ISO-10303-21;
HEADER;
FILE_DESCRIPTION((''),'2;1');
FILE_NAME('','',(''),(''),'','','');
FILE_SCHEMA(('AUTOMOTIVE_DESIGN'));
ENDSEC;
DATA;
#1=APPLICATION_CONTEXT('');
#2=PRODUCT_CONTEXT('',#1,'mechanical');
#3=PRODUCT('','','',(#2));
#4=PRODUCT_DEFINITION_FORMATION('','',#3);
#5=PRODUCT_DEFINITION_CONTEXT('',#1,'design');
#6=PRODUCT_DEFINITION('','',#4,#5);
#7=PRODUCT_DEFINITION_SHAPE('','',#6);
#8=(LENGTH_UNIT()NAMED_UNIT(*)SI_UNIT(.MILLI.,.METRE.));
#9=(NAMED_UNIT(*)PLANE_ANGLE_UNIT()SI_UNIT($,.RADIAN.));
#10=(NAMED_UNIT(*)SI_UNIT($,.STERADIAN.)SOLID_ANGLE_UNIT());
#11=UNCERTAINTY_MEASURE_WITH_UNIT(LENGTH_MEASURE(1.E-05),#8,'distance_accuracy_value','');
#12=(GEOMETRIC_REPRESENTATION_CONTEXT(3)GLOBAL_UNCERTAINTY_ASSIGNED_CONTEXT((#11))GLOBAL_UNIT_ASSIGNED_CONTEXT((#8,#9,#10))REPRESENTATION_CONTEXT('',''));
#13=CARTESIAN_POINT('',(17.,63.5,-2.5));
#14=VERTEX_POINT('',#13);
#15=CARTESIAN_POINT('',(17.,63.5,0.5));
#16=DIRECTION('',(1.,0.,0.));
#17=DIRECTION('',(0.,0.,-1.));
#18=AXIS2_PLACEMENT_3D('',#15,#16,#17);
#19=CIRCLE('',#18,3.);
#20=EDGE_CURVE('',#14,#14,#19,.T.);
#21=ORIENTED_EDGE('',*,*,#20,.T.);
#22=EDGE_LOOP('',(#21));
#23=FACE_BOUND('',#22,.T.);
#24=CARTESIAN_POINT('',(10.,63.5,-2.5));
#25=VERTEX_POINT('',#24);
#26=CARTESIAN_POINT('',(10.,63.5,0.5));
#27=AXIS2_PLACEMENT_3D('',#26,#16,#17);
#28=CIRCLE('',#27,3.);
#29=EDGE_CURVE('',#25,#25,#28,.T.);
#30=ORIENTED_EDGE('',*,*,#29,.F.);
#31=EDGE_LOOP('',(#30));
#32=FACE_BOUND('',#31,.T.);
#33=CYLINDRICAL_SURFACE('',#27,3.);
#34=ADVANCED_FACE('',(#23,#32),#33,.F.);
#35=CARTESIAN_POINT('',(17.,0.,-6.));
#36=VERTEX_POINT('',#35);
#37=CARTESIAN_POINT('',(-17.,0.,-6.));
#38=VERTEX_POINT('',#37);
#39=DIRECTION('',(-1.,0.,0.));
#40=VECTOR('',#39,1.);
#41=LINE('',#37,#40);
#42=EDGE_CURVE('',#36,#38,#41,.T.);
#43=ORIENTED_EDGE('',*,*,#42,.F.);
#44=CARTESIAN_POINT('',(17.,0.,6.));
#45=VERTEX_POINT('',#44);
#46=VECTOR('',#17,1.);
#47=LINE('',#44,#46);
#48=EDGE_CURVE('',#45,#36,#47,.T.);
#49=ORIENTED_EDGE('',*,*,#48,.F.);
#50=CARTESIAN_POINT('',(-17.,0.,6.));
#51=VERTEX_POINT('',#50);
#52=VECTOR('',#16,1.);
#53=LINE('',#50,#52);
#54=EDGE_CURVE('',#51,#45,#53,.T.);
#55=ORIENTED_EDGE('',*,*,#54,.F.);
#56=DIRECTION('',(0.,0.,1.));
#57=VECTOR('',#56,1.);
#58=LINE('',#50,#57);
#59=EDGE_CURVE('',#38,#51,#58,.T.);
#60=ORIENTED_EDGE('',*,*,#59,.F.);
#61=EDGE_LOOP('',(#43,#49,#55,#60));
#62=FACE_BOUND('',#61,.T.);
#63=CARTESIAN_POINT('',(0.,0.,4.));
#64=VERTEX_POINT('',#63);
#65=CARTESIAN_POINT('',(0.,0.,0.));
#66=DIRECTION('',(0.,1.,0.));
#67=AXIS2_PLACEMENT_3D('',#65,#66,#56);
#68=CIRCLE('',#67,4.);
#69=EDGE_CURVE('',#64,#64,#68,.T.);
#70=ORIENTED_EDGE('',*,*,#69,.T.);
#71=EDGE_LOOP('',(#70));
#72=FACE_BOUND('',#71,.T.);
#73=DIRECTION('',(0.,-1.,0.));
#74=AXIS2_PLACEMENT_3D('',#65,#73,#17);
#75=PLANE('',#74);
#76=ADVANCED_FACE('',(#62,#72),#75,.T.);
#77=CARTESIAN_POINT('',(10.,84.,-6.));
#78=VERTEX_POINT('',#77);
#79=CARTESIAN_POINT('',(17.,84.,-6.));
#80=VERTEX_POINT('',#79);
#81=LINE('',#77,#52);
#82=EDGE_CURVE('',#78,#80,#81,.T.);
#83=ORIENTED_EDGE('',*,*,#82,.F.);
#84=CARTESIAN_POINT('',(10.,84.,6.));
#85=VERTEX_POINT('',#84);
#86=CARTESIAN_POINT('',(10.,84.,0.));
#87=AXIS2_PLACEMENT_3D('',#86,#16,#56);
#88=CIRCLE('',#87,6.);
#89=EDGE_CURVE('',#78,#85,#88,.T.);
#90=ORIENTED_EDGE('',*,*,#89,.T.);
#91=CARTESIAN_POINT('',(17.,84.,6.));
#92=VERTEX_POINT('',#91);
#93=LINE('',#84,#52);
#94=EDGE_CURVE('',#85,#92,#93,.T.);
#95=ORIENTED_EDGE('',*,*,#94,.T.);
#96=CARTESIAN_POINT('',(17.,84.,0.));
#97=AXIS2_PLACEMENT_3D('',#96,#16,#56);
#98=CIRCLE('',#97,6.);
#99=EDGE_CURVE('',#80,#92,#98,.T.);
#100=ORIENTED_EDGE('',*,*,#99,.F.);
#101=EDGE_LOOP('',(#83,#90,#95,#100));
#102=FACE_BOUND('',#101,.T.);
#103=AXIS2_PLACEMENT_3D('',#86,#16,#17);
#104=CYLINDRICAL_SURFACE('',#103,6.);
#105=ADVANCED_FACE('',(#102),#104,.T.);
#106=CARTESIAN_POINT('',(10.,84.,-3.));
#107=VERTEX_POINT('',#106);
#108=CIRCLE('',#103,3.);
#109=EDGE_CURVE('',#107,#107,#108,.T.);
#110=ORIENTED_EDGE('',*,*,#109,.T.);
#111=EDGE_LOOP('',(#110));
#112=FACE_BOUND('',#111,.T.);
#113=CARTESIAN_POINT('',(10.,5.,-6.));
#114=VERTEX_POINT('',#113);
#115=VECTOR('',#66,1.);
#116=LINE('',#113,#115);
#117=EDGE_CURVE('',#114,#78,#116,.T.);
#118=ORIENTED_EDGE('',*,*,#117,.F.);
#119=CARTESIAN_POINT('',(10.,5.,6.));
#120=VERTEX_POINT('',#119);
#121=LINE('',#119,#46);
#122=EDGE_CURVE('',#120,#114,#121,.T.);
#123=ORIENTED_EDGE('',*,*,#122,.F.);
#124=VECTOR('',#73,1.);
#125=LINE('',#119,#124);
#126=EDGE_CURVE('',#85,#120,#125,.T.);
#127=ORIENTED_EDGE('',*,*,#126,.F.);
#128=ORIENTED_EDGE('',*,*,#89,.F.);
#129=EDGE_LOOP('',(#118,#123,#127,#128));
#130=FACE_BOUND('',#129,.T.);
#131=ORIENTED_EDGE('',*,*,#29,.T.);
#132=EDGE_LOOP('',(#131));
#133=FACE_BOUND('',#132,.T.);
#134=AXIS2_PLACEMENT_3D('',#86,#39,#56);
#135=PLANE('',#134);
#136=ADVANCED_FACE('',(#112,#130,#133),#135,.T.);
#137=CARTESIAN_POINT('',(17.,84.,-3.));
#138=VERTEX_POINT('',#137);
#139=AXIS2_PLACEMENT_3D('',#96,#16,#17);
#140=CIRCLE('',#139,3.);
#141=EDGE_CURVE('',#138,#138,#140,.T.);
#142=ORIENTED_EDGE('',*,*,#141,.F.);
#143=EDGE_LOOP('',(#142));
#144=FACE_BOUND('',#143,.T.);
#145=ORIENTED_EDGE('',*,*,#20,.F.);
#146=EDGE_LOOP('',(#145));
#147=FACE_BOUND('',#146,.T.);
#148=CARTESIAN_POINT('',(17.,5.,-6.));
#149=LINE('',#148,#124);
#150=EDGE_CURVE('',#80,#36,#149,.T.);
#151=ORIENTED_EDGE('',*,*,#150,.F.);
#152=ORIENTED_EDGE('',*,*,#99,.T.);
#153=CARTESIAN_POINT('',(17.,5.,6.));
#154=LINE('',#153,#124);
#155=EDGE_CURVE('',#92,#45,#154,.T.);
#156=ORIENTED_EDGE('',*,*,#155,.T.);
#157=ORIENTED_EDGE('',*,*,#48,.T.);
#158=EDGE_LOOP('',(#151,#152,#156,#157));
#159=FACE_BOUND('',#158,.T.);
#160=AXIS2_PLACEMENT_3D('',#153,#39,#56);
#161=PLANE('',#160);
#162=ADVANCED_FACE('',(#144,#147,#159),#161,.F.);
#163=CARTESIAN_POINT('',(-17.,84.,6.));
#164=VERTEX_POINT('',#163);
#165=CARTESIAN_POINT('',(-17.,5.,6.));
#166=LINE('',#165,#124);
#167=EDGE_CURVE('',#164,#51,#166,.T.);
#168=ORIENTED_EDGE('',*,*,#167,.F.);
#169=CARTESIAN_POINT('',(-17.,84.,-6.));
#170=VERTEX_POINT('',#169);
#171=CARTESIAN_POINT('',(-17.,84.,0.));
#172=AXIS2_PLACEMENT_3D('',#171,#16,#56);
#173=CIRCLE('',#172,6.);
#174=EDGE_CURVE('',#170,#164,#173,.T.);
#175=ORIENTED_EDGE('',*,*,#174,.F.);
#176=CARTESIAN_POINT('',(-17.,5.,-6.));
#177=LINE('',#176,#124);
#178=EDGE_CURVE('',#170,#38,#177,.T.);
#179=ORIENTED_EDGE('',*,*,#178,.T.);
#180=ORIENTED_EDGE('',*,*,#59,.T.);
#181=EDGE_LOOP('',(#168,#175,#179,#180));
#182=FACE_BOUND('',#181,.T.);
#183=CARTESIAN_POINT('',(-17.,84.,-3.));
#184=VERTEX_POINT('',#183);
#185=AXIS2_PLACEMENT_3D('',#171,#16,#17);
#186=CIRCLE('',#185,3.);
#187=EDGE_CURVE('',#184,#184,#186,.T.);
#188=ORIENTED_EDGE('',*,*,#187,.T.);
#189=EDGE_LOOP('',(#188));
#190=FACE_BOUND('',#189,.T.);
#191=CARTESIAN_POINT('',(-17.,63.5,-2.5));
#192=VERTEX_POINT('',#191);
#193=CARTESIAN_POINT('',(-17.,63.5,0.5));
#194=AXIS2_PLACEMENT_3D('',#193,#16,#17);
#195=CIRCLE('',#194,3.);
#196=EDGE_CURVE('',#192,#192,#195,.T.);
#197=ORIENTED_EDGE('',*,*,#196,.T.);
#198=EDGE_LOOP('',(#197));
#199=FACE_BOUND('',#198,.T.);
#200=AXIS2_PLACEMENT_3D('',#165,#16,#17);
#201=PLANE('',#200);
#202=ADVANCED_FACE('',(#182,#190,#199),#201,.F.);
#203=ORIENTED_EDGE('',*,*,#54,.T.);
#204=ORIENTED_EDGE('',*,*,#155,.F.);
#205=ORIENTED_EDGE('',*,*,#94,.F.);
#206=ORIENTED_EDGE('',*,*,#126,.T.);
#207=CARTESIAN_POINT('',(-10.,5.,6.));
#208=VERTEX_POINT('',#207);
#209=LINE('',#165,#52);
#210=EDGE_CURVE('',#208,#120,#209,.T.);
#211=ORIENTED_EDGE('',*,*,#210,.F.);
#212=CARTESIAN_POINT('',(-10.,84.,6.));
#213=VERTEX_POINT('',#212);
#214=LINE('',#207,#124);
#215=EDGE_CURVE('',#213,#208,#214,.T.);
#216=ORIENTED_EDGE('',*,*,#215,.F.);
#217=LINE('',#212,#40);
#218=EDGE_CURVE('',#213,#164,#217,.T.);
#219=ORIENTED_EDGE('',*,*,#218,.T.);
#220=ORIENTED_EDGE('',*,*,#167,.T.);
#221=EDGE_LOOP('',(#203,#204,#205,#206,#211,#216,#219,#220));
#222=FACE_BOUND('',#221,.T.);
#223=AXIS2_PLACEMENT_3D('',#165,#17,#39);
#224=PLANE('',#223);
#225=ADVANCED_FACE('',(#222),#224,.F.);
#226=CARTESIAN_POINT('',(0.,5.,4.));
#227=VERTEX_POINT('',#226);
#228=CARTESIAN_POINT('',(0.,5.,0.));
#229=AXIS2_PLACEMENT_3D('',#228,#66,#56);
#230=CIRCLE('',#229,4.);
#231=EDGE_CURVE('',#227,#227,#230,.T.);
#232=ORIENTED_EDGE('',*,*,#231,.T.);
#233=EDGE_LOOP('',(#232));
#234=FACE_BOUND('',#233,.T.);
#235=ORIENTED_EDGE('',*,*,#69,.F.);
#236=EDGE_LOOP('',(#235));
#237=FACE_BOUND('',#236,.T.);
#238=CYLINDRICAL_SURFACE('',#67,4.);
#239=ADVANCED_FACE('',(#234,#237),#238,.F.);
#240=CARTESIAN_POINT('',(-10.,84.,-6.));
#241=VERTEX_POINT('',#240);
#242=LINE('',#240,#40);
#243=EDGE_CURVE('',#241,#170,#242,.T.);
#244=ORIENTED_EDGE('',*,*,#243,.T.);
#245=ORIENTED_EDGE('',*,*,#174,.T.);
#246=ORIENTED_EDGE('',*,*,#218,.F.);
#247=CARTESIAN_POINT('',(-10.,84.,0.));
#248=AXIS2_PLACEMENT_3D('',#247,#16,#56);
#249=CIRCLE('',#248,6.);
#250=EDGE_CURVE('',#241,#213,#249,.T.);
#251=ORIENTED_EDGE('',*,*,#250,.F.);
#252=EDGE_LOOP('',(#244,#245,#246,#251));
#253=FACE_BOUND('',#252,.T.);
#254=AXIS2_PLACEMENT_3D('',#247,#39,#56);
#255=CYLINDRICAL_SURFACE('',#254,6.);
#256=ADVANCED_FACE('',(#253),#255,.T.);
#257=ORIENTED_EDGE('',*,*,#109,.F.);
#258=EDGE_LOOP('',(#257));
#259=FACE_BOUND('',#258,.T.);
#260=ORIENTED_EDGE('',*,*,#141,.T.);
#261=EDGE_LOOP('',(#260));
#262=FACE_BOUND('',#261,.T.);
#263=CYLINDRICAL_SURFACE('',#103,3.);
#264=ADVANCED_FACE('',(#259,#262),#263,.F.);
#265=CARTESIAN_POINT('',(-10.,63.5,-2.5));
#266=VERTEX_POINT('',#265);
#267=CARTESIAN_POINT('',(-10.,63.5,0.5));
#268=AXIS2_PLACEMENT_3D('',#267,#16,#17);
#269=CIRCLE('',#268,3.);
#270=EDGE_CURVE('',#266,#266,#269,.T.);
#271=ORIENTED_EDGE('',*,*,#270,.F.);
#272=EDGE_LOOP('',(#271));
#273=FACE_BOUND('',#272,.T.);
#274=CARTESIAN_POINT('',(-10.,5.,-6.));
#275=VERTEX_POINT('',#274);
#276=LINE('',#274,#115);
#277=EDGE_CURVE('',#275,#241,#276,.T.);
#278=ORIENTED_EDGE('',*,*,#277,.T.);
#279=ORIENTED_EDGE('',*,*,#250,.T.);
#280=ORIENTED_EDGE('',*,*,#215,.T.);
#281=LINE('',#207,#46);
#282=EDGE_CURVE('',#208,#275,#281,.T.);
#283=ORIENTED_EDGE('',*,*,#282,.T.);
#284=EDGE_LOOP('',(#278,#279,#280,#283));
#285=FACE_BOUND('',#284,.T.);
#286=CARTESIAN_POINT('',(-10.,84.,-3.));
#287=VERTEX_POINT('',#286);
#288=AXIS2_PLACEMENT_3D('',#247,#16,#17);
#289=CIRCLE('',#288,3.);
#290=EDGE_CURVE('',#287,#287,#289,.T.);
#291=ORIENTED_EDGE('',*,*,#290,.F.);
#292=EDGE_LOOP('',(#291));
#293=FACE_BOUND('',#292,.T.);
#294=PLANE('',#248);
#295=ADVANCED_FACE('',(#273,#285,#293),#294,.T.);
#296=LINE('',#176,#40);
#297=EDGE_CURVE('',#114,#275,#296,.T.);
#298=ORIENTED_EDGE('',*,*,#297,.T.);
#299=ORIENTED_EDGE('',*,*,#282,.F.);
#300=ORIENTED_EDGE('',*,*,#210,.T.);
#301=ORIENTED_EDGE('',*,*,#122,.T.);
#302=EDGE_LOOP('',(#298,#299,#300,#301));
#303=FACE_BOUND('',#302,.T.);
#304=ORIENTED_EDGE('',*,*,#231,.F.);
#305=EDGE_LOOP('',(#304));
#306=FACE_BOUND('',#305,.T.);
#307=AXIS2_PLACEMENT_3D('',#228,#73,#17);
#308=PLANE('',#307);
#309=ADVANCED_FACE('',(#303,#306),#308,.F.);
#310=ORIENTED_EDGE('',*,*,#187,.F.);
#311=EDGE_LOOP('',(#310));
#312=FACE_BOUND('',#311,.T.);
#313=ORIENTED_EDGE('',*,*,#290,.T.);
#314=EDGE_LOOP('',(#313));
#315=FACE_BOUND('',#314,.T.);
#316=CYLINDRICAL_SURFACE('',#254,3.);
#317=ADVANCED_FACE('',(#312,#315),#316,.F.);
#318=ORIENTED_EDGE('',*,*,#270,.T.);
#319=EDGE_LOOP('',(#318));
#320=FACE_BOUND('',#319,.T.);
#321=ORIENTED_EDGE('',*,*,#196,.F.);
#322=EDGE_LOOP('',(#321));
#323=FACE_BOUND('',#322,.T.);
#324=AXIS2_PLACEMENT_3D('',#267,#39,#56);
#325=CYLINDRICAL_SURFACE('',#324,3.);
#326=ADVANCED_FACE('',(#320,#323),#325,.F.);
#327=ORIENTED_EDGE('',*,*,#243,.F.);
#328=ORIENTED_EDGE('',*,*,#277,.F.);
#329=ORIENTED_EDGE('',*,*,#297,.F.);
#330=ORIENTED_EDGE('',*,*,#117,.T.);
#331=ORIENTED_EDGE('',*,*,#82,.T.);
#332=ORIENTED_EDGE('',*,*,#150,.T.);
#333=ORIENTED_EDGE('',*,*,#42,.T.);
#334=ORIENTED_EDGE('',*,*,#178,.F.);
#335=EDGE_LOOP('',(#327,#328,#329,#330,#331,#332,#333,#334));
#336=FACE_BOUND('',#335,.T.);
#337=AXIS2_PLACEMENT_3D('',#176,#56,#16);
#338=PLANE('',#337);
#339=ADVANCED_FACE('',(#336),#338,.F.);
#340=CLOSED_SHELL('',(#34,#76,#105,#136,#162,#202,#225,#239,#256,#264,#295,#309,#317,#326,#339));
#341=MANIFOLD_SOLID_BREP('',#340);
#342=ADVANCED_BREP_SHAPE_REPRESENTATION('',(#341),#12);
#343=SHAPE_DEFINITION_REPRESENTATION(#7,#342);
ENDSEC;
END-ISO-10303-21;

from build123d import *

# Parameters (mm, degrees)
SKETCH1_W           = 34
SKETCH1_H           = 12
BOSS_EXTRUDE1_DEPTH = 5
SKETCH5_R           = 3
BOSS_EXTRUDE3_DEPTH = 7
SKETCH6_R           = 1.5
CUT_EXTRUDE1_DEPTH  = 3
SKETCH8_R           = 4
CUT_EXTRUDE4_DEPTH  = 87.890735985


with BuildPart() as part:
    # Sketch1 → Boss-Extrude1 (new body)
    with BuildSketch(Plane(origin=(0, 0, 0), x_dir=(1, 0, 0), z_dir=(0, 1, 0))):
        Rectangle(SKETCH1_W, SKETCH1_H)
    extrude(amount=BOSS_EXTRUDE1_DEPTH)

    # Sketch5 → Boss-Extrude3 (add)
    with BuildSketch(Plane(origin=(17, 0, 0), x_dir=(0, 0, -1), z_dir=(1, 0, 0))):
        with BuildLine():
            Line((-6, 5), (6, 5))
            Line((6, 5), (6, 84))
            ThreePointArc((6, 84), (0, 90), (-6, 84))
            Line((-6, 84), (-6, 5))
        make_face()
        with Locations((0, 84)):
            Circle(SKETCH5_R, mode=Mode.SUBTRACT)
        with Locations((-0.5, 63.5)):
            Circle(SKETCH5_R, mode=Mode.SUBTRACT)
    boss_extrude3 = extrude(amount=-BOSS_EXTRUDE3_DEPTH)

    # Sketch6 → Cut-Extrude1 (cut)
    with BuildSketch(Plane(origin=(0, 5, 0), x_dir=(1, 0, 0), z_dir=(0, 1, 0))):
        with Locations(Location((0, 0, 0), (0, 0, 270))):
            Circle(SKETCH6_R)
    extrude(amount=-CUT_EXTRUDE1_DEPTH, mode=Mode.SUBTRACT)

    # Sketch8 → Cut-Extrude4 (cut, through all)
    with BuildSketch(Plane(origin=(0, 5, 0), x_dir=(1, 0, 0), z_dir=(0, 1, 0))):
        with Locations(Location((0, 0, 0), (0, 0, 270))):
            Circle(SKETCH8_R)
    extrude(amount=-CUT_EXTRUDE4_DEPTH, mode=Mode.SUBTRACT)

    # Mirror1: Boss-Extrude3 across plane
    add(boss_extrude3.mirror(Plane(origin=(0, 0, 0), x_dir=(0, 0, 1), z_dir=(1, 0, 0))))


solid = part.part
